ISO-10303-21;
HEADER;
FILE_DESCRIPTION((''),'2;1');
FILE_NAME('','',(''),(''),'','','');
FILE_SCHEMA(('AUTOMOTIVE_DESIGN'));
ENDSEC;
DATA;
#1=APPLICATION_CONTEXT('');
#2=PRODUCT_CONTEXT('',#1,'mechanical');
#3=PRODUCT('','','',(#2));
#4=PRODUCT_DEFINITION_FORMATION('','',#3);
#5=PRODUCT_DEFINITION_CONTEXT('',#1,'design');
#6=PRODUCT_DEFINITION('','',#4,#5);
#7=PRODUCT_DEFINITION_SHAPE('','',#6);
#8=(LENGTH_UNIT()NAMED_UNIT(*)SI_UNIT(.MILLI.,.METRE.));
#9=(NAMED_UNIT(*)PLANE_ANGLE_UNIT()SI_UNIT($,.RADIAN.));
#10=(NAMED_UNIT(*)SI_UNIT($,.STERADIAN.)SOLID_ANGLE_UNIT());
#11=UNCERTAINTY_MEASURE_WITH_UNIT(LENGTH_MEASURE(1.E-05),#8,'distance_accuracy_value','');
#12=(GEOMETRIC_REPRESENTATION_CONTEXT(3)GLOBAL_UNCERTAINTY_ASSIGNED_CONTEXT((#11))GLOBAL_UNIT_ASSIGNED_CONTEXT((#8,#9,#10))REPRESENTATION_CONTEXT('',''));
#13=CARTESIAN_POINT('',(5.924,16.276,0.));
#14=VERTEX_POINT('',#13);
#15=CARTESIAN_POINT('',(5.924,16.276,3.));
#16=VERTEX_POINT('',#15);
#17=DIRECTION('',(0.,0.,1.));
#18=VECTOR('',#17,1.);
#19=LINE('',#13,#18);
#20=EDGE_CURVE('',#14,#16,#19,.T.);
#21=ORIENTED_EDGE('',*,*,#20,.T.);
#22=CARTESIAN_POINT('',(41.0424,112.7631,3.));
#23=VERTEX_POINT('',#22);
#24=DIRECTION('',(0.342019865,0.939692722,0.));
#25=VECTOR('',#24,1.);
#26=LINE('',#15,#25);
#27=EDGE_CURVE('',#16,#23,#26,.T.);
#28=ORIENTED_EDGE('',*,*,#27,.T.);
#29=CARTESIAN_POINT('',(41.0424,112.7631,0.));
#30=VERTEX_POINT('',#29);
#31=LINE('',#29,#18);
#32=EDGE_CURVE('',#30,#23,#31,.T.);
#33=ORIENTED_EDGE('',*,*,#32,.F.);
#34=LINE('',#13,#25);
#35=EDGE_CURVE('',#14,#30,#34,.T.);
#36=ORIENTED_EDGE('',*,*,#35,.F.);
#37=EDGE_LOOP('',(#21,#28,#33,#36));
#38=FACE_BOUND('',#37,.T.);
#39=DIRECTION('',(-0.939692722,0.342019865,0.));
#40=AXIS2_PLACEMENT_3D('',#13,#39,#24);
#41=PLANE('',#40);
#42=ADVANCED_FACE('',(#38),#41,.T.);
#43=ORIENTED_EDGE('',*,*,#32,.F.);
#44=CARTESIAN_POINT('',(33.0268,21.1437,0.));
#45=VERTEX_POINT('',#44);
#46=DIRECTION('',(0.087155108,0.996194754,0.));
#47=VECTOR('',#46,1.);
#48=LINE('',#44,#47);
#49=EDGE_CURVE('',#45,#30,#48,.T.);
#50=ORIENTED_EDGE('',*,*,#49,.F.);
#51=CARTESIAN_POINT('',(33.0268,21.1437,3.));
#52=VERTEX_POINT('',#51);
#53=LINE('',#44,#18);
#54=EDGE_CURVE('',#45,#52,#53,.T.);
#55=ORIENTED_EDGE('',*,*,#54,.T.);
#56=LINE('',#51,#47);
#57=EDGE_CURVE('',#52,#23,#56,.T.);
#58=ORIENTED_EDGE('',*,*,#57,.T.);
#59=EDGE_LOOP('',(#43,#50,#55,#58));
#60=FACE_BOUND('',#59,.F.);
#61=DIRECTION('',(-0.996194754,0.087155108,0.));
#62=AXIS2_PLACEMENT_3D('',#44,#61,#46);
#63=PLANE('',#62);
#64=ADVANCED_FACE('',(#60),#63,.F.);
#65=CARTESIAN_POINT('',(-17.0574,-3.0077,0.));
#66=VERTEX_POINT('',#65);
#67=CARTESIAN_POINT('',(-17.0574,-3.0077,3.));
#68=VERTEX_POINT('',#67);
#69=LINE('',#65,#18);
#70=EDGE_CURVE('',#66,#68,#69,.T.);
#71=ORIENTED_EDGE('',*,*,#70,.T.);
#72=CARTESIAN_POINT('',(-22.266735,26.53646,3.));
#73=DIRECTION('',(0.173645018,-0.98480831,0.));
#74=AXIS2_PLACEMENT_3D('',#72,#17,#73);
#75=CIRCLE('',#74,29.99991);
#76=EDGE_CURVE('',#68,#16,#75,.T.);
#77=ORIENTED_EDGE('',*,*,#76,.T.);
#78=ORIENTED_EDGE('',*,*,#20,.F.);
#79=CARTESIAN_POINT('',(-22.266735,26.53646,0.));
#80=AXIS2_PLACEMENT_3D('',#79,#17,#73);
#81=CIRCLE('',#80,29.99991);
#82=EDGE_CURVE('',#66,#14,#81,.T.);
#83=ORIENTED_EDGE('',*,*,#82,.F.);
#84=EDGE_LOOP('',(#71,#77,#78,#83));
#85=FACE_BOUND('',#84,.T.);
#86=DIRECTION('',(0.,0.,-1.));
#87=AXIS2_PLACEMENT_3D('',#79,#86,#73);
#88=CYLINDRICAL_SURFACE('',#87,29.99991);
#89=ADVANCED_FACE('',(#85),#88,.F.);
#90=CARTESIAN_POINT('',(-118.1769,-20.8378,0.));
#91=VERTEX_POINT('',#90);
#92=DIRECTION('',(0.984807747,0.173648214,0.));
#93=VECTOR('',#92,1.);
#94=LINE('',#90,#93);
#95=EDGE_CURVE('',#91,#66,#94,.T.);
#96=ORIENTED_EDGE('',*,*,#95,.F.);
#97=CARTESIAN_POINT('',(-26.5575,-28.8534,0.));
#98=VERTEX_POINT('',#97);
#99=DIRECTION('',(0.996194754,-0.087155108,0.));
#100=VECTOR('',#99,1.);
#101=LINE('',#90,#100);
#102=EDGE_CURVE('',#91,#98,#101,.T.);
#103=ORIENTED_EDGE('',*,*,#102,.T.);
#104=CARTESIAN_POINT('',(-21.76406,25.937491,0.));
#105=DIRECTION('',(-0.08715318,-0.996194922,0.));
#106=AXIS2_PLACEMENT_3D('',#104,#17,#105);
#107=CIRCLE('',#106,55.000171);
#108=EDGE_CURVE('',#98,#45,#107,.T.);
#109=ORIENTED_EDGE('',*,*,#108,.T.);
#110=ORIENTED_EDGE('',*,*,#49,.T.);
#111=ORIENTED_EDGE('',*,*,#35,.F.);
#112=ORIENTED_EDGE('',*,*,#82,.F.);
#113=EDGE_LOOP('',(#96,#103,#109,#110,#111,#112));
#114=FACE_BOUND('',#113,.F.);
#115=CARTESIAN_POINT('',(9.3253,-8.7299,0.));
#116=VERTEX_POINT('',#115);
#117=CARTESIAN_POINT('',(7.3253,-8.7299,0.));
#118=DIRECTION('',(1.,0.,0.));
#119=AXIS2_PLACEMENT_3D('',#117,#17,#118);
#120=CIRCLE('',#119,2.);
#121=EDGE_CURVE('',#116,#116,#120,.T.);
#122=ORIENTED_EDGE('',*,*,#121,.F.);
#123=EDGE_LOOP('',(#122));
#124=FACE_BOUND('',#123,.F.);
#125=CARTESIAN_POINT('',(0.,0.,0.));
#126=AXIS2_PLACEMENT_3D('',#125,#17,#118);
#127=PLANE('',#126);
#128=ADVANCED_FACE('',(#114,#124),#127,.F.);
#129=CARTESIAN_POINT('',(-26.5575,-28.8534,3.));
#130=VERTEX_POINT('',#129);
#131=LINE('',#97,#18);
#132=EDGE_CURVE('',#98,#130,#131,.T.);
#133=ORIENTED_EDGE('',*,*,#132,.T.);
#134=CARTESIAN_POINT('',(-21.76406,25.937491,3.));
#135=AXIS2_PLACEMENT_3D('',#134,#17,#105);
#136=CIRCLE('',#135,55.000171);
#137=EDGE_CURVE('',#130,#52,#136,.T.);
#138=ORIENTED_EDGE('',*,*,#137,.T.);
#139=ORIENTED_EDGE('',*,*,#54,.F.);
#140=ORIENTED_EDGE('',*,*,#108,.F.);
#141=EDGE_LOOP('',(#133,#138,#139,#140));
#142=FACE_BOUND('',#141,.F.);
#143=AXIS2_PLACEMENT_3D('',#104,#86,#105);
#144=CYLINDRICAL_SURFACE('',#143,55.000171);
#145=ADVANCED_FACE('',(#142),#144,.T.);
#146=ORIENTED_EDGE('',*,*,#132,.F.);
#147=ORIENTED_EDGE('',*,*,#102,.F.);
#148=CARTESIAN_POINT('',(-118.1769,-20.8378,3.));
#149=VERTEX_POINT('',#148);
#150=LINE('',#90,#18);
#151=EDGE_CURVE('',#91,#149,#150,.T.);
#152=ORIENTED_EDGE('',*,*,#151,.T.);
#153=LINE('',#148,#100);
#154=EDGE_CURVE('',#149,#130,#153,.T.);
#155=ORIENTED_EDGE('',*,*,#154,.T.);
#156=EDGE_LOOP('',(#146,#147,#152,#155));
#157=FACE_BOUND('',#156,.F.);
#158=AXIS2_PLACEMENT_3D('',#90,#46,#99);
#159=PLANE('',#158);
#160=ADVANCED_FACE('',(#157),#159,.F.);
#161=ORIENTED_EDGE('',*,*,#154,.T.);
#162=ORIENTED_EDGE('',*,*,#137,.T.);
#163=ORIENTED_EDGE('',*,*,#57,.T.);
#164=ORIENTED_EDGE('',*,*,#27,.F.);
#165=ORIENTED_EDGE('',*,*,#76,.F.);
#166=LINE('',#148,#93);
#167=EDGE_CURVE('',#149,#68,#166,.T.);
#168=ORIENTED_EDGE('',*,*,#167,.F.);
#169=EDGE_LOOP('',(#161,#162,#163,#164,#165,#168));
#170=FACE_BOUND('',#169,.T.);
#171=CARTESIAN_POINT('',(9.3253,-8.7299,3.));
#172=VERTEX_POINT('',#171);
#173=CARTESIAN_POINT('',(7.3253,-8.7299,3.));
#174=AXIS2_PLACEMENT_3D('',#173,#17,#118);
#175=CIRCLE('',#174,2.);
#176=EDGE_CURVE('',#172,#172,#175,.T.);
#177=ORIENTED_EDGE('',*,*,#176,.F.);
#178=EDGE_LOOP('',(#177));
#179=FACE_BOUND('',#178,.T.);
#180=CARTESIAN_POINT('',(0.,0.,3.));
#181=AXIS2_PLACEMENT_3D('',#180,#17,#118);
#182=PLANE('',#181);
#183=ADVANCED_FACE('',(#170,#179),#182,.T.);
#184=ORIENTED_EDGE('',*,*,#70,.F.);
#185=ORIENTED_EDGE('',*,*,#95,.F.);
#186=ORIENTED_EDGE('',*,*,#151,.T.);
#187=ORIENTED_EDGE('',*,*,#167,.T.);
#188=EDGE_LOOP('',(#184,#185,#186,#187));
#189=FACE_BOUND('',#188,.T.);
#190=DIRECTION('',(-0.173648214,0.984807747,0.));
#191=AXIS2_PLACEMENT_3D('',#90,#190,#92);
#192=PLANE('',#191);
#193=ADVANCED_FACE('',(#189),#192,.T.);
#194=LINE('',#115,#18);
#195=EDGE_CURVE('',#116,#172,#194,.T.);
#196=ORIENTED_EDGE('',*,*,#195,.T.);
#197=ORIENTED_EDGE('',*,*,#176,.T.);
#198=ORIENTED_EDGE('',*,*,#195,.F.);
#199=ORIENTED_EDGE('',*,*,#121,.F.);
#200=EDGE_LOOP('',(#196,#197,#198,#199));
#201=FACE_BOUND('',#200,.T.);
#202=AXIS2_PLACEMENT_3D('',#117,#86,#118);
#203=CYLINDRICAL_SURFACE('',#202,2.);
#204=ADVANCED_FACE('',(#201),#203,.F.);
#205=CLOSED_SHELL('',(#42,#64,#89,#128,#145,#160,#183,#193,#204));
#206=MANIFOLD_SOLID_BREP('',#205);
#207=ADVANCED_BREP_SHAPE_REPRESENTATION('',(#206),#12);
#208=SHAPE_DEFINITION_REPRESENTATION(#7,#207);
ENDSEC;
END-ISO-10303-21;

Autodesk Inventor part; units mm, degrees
ref_plane "YZ Plane" through (0, 0, 0) normal (1, 0, 0) x (0, 1, 0)
ref_plane "XZ Plane" through (0, 0, 0) normal (0, 1, 0) x (-1, 0, 0)
ref_plane "XY Plane" through (0, 0, 0) normal (0, 0, 1) x (1, 0, 0)
sketch "草圖1" plane through (0, 0, 0) normal (0, 0, 1) x (1, 0, 0)
  arc A0 (-17.0574, -3.0077) -> (5.924, 16.276) centre (-22.2668, 26.5366) ccw
  line L0 (5.924, 16.276) -> (41.0424, 112.7631)
  line L1 (-118.1769, -20.8378) -> (-17.0574, -3.0077)
  line L2 (-118.1769, -20.8378) -> (-26.5575, -28.8534)
  arc A1 (-26.5575, -28.8534) -> (33.0268, 21.1437) centre (-21.764, 25.9373) ccw
  line L3 (33.0268, 21.1437) -> (41.0424, 112.7631)
  circle A2 centre (7.3253, -8.7299) radius 2
  point P0 (0, 0)
  dimension "d0" = 55
  dimension "d1" = 4
  dimension "d2" = 23
  dimension "d3" = 23
extrude "擠出1" add sketch "草圖1" along normal blind 3
sketch "草圖2" plane through (0, 0, 3) normal (0, 0, 1) x (1, 0, 0)
  arc A0 (-26.5575, -28.8534) -> (33.0268, 21.1437) centre (-21.764, 25.9373) ccw projected
  line L0 (33.0268, 21.1437) -> (41.0424, 112.7631) projected
  line L1 (41.0424, 112.7631) -> (5.924, 16.276) projected
  arc A1 (-17.0574, -3.0077) -> (5.924, 16.276) centre (-22.2668, 26.5366) ccw projected
  line L2 (-17.0574, -3.0077) -> (-118.1769, -20.8378) projected
  line L3 (-118.1769, -20.8378) -> (-26.5575, -28.8534) projected
  circle A2 centre (7.3253, -8.7299) radius 2 projected
  point P0 (0, 0)
equation "\"d3\" = d2"
properties part number "sus_1"
